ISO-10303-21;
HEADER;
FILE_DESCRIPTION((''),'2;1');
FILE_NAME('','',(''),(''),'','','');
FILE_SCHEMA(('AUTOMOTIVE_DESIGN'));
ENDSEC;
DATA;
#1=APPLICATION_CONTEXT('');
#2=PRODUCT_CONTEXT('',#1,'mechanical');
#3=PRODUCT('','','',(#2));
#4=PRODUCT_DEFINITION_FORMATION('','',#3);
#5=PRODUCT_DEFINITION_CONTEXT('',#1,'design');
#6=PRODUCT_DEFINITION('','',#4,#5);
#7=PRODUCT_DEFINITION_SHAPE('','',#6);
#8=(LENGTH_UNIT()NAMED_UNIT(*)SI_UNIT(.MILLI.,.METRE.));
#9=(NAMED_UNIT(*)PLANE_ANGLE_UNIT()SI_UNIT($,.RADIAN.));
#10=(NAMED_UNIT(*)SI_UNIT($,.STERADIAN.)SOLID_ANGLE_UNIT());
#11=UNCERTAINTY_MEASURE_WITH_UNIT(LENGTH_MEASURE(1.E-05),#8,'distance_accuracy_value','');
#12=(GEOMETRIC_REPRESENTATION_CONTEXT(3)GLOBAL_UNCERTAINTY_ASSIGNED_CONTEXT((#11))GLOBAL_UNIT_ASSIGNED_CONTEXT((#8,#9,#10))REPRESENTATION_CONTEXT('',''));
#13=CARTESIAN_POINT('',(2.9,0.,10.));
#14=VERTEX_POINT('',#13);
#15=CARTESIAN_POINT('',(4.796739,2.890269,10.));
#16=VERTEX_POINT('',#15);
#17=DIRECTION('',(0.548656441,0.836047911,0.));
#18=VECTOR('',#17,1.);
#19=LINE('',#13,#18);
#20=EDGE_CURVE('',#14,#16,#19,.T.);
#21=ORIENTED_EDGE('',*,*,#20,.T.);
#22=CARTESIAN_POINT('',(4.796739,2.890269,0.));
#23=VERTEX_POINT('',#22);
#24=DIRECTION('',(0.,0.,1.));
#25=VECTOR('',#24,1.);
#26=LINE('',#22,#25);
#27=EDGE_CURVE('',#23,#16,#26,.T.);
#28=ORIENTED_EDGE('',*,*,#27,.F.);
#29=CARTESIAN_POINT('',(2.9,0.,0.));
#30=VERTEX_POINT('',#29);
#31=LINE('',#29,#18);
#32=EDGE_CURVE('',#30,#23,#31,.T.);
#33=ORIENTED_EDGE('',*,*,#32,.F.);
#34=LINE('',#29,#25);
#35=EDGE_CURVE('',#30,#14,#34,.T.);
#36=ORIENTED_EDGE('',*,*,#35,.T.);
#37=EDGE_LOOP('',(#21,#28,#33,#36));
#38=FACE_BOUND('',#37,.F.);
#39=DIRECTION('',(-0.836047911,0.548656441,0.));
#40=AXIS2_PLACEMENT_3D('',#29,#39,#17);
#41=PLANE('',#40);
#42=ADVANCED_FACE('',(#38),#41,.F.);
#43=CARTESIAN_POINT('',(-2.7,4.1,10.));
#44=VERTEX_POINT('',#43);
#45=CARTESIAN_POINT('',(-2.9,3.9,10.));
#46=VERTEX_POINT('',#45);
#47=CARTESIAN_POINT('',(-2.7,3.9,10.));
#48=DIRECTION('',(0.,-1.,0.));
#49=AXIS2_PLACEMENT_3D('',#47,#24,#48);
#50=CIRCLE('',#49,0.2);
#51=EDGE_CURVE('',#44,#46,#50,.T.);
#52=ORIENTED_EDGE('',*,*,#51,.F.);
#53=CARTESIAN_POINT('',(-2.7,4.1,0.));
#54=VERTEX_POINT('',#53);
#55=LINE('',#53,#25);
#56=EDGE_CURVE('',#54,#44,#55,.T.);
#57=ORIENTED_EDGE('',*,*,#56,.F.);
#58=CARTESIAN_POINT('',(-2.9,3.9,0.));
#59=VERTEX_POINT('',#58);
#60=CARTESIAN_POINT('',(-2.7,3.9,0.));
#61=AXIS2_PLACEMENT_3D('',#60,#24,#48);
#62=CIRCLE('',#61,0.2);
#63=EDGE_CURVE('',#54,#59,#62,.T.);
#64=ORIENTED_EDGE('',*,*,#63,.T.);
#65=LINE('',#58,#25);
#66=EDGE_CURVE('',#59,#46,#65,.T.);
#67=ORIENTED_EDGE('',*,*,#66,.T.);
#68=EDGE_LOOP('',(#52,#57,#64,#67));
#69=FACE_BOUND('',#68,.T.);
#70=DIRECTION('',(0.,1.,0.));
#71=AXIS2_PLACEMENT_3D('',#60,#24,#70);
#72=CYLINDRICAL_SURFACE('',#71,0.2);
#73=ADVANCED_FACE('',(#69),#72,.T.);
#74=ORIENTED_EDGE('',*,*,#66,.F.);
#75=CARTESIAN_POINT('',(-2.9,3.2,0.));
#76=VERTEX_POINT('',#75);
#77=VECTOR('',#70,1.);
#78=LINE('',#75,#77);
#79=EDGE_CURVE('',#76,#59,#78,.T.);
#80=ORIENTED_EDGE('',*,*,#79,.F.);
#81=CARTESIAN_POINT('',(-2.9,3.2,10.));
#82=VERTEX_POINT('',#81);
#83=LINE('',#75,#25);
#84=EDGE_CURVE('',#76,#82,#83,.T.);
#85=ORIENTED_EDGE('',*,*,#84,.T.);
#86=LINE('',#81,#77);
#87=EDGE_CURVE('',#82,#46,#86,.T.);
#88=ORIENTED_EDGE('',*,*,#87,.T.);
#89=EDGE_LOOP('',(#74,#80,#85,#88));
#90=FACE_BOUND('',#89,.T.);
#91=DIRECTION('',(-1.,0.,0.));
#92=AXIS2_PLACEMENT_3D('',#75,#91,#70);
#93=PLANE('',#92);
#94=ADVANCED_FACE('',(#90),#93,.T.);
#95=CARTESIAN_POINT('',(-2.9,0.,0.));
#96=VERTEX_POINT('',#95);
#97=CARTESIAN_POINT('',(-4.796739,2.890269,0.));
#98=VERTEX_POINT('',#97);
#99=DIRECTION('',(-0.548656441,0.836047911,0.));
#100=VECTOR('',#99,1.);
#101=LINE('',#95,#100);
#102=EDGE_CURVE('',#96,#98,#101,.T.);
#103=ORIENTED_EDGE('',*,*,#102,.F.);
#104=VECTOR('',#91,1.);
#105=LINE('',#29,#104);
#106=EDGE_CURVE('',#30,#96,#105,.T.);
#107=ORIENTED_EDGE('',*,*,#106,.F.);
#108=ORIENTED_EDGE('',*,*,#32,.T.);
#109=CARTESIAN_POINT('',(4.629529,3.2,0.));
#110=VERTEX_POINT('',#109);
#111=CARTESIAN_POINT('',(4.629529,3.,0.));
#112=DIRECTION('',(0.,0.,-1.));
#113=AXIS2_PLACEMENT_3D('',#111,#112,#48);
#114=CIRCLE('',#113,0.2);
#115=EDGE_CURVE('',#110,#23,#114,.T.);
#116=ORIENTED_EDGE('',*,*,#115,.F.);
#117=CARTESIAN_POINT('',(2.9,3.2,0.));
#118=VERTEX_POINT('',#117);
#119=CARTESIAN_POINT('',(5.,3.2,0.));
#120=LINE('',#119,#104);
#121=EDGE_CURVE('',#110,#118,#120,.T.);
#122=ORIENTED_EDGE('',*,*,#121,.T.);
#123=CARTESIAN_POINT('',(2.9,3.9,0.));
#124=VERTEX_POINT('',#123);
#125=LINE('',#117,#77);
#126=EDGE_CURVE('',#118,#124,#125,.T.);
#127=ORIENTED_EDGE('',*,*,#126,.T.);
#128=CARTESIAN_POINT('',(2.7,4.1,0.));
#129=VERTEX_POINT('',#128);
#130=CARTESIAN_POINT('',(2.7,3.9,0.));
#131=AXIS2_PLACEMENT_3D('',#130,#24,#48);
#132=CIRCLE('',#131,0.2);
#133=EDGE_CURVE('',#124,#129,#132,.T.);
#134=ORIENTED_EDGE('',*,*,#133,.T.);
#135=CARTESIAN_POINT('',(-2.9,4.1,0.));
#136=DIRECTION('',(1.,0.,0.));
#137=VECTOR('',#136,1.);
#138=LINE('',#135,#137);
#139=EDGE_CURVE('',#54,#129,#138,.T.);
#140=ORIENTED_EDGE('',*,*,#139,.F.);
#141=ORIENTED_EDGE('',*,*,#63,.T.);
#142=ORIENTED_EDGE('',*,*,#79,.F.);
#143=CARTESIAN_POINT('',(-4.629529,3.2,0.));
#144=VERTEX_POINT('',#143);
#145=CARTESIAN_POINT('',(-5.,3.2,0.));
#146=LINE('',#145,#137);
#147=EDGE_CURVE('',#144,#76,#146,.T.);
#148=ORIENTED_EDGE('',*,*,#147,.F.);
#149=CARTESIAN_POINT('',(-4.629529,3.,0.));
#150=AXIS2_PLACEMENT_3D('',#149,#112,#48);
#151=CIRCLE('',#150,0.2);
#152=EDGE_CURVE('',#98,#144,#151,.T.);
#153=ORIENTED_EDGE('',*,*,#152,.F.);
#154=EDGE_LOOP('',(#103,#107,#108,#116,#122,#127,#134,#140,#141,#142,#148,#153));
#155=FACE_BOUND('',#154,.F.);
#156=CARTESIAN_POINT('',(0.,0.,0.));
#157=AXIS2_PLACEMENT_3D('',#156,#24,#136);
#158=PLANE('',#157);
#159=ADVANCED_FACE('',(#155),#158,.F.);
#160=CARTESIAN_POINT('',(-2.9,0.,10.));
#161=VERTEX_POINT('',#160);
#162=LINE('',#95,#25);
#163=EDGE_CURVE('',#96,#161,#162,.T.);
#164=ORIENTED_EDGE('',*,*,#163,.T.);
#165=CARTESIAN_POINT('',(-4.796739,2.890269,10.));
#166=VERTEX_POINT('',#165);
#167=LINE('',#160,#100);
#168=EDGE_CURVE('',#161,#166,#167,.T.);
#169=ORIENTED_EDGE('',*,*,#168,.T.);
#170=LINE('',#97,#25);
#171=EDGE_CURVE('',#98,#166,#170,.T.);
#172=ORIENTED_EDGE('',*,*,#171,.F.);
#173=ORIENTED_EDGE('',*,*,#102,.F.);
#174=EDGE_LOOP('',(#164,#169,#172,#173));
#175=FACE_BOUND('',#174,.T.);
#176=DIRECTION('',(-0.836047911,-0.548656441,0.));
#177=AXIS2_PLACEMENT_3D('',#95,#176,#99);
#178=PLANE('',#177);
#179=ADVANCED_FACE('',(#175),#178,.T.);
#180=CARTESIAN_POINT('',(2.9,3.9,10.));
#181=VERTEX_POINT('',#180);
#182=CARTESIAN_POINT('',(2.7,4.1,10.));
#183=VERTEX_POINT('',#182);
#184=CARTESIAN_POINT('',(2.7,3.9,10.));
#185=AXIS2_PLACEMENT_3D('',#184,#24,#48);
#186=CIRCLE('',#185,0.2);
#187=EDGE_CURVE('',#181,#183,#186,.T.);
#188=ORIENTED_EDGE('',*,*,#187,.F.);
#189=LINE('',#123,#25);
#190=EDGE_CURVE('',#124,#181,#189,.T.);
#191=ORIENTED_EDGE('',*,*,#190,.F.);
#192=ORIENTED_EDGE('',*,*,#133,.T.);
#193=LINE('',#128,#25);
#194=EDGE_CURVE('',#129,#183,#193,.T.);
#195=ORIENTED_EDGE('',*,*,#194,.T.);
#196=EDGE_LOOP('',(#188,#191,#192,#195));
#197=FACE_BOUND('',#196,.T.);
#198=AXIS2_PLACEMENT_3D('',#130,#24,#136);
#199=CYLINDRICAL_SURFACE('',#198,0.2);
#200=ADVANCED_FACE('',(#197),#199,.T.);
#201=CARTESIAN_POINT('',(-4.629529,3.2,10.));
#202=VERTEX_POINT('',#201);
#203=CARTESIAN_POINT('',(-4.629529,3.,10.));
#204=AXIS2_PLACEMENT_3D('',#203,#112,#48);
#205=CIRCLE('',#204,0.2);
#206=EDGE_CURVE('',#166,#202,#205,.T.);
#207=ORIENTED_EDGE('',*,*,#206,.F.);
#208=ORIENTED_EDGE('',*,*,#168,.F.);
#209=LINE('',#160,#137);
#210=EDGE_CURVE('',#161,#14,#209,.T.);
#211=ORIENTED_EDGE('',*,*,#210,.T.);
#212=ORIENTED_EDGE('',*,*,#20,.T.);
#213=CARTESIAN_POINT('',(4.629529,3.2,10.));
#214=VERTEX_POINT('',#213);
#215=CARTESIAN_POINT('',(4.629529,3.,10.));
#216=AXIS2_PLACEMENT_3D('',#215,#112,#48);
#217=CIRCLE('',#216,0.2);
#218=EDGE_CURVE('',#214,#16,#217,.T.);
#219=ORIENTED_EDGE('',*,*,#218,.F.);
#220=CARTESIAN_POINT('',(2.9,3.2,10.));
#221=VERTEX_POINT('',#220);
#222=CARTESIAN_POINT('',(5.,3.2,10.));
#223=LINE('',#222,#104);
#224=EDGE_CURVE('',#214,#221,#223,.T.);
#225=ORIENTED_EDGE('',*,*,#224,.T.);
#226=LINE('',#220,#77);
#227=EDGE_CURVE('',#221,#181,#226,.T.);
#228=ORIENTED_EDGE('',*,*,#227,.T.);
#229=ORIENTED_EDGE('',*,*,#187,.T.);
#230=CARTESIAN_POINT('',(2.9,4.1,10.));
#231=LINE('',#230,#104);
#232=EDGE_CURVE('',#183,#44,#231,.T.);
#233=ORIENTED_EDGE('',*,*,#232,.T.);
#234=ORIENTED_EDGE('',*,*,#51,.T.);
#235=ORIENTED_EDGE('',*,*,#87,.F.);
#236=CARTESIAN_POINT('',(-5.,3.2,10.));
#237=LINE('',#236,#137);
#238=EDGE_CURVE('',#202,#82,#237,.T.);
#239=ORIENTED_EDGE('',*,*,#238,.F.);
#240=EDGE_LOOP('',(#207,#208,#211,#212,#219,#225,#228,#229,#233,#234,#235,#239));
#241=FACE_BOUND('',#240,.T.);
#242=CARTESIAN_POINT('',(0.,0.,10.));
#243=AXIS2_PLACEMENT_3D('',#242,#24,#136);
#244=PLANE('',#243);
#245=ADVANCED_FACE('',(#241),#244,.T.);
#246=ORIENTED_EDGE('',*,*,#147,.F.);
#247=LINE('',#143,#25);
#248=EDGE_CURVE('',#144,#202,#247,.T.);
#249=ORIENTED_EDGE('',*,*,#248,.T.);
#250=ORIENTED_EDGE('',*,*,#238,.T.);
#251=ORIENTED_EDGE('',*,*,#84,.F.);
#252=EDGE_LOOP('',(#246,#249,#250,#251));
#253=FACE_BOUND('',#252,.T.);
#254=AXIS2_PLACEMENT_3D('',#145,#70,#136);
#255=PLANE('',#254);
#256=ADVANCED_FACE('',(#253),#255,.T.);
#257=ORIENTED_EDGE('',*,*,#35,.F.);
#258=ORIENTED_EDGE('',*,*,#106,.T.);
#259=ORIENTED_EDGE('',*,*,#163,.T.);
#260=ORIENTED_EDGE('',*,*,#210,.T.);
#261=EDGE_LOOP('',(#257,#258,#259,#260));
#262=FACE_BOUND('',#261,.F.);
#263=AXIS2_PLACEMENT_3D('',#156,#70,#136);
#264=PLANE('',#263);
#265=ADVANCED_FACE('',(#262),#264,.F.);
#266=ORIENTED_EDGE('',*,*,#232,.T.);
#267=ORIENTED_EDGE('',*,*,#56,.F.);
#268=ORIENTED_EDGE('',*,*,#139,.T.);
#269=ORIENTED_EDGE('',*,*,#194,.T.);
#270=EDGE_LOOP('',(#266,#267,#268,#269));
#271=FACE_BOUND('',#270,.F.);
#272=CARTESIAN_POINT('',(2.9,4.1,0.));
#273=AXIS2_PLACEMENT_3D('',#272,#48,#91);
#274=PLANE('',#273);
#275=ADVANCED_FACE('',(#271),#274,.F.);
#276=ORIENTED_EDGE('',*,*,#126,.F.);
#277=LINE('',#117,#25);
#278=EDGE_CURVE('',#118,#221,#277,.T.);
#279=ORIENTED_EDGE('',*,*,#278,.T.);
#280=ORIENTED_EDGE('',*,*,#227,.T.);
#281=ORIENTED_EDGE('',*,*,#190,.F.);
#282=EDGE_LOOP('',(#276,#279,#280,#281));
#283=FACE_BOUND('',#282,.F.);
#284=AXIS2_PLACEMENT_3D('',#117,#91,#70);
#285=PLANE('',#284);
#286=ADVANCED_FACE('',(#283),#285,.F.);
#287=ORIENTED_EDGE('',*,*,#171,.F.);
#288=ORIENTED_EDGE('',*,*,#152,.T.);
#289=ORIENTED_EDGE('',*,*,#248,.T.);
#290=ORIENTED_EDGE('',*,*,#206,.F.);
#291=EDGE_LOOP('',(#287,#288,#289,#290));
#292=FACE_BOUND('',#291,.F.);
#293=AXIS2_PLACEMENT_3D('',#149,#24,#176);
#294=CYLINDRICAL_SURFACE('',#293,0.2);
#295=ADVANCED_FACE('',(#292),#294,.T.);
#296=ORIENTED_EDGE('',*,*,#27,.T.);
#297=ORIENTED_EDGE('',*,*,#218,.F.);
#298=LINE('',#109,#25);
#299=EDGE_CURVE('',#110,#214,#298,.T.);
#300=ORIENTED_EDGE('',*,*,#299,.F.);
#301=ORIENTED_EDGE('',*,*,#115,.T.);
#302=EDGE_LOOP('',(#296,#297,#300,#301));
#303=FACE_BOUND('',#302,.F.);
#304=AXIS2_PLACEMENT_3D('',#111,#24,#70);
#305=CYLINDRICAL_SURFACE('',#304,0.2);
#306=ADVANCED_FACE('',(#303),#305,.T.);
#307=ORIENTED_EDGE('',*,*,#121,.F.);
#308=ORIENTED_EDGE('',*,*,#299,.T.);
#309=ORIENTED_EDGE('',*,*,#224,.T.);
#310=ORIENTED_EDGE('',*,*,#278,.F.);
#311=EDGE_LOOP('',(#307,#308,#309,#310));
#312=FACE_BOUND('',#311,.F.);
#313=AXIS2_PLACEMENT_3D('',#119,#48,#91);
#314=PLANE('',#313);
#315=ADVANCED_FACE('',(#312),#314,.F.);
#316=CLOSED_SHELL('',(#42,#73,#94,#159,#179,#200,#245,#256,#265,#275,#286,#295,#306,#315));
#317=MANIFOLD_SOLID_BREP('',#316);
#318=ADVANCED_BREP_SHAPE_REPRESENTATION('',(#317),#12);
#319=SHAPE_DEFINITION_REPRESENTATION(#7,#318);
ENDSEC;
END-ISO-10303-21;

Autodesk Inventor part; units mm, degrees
ref_plane "YZ Plane" through (0, 0, 0) normal (1, 0, 0) x (0, 1, 0)
ref_plane "XZ Plane" through (0, 0, 0) normal (0, 1, 0) x (-1, 0, 0)
ref_plane "XY Plane" through (0, 0, 0) normal (0, 0, 1) x (1, 0, 0)
sketch "スケッチ1" plane through (0, 0, 0) normal (0, 0, 1) x (1, 0, 0)
  line L0 (0, 0) -> (2.9, 0)
  line L1 (2.9, 0) -> (5, 3.2)
  line L2 (5, 3.2) -> (0, 3.2)
  line L3 (0, 0) -> (0, 4)
  line L4 (0, 3.2) -> (2.9, 3.2)
  line L5 (2.9, 3.2) -> (2.9, 4.1)
  line L6 (2.9, 4.1) -> (0, 4.1)
  line L7 (0, 4.1) -> (0, 3.2)
  line L8 (0, 0) -> (-2.9, 0)
  line L9 (-2.9, 0) -> (-5, 3.2)
  line L10 (-5, 3.2) -> (0, 3.2)
  line L11 (-2.9, 3.2) -> (-2.9, 4.1)
  line L12 (-2.9, 4.1) -> (0, 4.1)
  dimension "d0" = 3.2
  dimension "d1" = 5
  dimension "d2" = 2.9
  dimension "d3" = 2.9
  dimension "d4" = 4.1
extrude "押し出し1" add sketch "スケッチ1" along normal blind 10
fillet "フィレット1" radius 0.2 2 edges at (5, 3.2, 5) (-5, 3.2, 5)
fillet "フィレット2" radius 0.2 2 edges at (-2.9, 4.1, 5) (2.9, 4.1, 5)
properties part number "framespacer1"
